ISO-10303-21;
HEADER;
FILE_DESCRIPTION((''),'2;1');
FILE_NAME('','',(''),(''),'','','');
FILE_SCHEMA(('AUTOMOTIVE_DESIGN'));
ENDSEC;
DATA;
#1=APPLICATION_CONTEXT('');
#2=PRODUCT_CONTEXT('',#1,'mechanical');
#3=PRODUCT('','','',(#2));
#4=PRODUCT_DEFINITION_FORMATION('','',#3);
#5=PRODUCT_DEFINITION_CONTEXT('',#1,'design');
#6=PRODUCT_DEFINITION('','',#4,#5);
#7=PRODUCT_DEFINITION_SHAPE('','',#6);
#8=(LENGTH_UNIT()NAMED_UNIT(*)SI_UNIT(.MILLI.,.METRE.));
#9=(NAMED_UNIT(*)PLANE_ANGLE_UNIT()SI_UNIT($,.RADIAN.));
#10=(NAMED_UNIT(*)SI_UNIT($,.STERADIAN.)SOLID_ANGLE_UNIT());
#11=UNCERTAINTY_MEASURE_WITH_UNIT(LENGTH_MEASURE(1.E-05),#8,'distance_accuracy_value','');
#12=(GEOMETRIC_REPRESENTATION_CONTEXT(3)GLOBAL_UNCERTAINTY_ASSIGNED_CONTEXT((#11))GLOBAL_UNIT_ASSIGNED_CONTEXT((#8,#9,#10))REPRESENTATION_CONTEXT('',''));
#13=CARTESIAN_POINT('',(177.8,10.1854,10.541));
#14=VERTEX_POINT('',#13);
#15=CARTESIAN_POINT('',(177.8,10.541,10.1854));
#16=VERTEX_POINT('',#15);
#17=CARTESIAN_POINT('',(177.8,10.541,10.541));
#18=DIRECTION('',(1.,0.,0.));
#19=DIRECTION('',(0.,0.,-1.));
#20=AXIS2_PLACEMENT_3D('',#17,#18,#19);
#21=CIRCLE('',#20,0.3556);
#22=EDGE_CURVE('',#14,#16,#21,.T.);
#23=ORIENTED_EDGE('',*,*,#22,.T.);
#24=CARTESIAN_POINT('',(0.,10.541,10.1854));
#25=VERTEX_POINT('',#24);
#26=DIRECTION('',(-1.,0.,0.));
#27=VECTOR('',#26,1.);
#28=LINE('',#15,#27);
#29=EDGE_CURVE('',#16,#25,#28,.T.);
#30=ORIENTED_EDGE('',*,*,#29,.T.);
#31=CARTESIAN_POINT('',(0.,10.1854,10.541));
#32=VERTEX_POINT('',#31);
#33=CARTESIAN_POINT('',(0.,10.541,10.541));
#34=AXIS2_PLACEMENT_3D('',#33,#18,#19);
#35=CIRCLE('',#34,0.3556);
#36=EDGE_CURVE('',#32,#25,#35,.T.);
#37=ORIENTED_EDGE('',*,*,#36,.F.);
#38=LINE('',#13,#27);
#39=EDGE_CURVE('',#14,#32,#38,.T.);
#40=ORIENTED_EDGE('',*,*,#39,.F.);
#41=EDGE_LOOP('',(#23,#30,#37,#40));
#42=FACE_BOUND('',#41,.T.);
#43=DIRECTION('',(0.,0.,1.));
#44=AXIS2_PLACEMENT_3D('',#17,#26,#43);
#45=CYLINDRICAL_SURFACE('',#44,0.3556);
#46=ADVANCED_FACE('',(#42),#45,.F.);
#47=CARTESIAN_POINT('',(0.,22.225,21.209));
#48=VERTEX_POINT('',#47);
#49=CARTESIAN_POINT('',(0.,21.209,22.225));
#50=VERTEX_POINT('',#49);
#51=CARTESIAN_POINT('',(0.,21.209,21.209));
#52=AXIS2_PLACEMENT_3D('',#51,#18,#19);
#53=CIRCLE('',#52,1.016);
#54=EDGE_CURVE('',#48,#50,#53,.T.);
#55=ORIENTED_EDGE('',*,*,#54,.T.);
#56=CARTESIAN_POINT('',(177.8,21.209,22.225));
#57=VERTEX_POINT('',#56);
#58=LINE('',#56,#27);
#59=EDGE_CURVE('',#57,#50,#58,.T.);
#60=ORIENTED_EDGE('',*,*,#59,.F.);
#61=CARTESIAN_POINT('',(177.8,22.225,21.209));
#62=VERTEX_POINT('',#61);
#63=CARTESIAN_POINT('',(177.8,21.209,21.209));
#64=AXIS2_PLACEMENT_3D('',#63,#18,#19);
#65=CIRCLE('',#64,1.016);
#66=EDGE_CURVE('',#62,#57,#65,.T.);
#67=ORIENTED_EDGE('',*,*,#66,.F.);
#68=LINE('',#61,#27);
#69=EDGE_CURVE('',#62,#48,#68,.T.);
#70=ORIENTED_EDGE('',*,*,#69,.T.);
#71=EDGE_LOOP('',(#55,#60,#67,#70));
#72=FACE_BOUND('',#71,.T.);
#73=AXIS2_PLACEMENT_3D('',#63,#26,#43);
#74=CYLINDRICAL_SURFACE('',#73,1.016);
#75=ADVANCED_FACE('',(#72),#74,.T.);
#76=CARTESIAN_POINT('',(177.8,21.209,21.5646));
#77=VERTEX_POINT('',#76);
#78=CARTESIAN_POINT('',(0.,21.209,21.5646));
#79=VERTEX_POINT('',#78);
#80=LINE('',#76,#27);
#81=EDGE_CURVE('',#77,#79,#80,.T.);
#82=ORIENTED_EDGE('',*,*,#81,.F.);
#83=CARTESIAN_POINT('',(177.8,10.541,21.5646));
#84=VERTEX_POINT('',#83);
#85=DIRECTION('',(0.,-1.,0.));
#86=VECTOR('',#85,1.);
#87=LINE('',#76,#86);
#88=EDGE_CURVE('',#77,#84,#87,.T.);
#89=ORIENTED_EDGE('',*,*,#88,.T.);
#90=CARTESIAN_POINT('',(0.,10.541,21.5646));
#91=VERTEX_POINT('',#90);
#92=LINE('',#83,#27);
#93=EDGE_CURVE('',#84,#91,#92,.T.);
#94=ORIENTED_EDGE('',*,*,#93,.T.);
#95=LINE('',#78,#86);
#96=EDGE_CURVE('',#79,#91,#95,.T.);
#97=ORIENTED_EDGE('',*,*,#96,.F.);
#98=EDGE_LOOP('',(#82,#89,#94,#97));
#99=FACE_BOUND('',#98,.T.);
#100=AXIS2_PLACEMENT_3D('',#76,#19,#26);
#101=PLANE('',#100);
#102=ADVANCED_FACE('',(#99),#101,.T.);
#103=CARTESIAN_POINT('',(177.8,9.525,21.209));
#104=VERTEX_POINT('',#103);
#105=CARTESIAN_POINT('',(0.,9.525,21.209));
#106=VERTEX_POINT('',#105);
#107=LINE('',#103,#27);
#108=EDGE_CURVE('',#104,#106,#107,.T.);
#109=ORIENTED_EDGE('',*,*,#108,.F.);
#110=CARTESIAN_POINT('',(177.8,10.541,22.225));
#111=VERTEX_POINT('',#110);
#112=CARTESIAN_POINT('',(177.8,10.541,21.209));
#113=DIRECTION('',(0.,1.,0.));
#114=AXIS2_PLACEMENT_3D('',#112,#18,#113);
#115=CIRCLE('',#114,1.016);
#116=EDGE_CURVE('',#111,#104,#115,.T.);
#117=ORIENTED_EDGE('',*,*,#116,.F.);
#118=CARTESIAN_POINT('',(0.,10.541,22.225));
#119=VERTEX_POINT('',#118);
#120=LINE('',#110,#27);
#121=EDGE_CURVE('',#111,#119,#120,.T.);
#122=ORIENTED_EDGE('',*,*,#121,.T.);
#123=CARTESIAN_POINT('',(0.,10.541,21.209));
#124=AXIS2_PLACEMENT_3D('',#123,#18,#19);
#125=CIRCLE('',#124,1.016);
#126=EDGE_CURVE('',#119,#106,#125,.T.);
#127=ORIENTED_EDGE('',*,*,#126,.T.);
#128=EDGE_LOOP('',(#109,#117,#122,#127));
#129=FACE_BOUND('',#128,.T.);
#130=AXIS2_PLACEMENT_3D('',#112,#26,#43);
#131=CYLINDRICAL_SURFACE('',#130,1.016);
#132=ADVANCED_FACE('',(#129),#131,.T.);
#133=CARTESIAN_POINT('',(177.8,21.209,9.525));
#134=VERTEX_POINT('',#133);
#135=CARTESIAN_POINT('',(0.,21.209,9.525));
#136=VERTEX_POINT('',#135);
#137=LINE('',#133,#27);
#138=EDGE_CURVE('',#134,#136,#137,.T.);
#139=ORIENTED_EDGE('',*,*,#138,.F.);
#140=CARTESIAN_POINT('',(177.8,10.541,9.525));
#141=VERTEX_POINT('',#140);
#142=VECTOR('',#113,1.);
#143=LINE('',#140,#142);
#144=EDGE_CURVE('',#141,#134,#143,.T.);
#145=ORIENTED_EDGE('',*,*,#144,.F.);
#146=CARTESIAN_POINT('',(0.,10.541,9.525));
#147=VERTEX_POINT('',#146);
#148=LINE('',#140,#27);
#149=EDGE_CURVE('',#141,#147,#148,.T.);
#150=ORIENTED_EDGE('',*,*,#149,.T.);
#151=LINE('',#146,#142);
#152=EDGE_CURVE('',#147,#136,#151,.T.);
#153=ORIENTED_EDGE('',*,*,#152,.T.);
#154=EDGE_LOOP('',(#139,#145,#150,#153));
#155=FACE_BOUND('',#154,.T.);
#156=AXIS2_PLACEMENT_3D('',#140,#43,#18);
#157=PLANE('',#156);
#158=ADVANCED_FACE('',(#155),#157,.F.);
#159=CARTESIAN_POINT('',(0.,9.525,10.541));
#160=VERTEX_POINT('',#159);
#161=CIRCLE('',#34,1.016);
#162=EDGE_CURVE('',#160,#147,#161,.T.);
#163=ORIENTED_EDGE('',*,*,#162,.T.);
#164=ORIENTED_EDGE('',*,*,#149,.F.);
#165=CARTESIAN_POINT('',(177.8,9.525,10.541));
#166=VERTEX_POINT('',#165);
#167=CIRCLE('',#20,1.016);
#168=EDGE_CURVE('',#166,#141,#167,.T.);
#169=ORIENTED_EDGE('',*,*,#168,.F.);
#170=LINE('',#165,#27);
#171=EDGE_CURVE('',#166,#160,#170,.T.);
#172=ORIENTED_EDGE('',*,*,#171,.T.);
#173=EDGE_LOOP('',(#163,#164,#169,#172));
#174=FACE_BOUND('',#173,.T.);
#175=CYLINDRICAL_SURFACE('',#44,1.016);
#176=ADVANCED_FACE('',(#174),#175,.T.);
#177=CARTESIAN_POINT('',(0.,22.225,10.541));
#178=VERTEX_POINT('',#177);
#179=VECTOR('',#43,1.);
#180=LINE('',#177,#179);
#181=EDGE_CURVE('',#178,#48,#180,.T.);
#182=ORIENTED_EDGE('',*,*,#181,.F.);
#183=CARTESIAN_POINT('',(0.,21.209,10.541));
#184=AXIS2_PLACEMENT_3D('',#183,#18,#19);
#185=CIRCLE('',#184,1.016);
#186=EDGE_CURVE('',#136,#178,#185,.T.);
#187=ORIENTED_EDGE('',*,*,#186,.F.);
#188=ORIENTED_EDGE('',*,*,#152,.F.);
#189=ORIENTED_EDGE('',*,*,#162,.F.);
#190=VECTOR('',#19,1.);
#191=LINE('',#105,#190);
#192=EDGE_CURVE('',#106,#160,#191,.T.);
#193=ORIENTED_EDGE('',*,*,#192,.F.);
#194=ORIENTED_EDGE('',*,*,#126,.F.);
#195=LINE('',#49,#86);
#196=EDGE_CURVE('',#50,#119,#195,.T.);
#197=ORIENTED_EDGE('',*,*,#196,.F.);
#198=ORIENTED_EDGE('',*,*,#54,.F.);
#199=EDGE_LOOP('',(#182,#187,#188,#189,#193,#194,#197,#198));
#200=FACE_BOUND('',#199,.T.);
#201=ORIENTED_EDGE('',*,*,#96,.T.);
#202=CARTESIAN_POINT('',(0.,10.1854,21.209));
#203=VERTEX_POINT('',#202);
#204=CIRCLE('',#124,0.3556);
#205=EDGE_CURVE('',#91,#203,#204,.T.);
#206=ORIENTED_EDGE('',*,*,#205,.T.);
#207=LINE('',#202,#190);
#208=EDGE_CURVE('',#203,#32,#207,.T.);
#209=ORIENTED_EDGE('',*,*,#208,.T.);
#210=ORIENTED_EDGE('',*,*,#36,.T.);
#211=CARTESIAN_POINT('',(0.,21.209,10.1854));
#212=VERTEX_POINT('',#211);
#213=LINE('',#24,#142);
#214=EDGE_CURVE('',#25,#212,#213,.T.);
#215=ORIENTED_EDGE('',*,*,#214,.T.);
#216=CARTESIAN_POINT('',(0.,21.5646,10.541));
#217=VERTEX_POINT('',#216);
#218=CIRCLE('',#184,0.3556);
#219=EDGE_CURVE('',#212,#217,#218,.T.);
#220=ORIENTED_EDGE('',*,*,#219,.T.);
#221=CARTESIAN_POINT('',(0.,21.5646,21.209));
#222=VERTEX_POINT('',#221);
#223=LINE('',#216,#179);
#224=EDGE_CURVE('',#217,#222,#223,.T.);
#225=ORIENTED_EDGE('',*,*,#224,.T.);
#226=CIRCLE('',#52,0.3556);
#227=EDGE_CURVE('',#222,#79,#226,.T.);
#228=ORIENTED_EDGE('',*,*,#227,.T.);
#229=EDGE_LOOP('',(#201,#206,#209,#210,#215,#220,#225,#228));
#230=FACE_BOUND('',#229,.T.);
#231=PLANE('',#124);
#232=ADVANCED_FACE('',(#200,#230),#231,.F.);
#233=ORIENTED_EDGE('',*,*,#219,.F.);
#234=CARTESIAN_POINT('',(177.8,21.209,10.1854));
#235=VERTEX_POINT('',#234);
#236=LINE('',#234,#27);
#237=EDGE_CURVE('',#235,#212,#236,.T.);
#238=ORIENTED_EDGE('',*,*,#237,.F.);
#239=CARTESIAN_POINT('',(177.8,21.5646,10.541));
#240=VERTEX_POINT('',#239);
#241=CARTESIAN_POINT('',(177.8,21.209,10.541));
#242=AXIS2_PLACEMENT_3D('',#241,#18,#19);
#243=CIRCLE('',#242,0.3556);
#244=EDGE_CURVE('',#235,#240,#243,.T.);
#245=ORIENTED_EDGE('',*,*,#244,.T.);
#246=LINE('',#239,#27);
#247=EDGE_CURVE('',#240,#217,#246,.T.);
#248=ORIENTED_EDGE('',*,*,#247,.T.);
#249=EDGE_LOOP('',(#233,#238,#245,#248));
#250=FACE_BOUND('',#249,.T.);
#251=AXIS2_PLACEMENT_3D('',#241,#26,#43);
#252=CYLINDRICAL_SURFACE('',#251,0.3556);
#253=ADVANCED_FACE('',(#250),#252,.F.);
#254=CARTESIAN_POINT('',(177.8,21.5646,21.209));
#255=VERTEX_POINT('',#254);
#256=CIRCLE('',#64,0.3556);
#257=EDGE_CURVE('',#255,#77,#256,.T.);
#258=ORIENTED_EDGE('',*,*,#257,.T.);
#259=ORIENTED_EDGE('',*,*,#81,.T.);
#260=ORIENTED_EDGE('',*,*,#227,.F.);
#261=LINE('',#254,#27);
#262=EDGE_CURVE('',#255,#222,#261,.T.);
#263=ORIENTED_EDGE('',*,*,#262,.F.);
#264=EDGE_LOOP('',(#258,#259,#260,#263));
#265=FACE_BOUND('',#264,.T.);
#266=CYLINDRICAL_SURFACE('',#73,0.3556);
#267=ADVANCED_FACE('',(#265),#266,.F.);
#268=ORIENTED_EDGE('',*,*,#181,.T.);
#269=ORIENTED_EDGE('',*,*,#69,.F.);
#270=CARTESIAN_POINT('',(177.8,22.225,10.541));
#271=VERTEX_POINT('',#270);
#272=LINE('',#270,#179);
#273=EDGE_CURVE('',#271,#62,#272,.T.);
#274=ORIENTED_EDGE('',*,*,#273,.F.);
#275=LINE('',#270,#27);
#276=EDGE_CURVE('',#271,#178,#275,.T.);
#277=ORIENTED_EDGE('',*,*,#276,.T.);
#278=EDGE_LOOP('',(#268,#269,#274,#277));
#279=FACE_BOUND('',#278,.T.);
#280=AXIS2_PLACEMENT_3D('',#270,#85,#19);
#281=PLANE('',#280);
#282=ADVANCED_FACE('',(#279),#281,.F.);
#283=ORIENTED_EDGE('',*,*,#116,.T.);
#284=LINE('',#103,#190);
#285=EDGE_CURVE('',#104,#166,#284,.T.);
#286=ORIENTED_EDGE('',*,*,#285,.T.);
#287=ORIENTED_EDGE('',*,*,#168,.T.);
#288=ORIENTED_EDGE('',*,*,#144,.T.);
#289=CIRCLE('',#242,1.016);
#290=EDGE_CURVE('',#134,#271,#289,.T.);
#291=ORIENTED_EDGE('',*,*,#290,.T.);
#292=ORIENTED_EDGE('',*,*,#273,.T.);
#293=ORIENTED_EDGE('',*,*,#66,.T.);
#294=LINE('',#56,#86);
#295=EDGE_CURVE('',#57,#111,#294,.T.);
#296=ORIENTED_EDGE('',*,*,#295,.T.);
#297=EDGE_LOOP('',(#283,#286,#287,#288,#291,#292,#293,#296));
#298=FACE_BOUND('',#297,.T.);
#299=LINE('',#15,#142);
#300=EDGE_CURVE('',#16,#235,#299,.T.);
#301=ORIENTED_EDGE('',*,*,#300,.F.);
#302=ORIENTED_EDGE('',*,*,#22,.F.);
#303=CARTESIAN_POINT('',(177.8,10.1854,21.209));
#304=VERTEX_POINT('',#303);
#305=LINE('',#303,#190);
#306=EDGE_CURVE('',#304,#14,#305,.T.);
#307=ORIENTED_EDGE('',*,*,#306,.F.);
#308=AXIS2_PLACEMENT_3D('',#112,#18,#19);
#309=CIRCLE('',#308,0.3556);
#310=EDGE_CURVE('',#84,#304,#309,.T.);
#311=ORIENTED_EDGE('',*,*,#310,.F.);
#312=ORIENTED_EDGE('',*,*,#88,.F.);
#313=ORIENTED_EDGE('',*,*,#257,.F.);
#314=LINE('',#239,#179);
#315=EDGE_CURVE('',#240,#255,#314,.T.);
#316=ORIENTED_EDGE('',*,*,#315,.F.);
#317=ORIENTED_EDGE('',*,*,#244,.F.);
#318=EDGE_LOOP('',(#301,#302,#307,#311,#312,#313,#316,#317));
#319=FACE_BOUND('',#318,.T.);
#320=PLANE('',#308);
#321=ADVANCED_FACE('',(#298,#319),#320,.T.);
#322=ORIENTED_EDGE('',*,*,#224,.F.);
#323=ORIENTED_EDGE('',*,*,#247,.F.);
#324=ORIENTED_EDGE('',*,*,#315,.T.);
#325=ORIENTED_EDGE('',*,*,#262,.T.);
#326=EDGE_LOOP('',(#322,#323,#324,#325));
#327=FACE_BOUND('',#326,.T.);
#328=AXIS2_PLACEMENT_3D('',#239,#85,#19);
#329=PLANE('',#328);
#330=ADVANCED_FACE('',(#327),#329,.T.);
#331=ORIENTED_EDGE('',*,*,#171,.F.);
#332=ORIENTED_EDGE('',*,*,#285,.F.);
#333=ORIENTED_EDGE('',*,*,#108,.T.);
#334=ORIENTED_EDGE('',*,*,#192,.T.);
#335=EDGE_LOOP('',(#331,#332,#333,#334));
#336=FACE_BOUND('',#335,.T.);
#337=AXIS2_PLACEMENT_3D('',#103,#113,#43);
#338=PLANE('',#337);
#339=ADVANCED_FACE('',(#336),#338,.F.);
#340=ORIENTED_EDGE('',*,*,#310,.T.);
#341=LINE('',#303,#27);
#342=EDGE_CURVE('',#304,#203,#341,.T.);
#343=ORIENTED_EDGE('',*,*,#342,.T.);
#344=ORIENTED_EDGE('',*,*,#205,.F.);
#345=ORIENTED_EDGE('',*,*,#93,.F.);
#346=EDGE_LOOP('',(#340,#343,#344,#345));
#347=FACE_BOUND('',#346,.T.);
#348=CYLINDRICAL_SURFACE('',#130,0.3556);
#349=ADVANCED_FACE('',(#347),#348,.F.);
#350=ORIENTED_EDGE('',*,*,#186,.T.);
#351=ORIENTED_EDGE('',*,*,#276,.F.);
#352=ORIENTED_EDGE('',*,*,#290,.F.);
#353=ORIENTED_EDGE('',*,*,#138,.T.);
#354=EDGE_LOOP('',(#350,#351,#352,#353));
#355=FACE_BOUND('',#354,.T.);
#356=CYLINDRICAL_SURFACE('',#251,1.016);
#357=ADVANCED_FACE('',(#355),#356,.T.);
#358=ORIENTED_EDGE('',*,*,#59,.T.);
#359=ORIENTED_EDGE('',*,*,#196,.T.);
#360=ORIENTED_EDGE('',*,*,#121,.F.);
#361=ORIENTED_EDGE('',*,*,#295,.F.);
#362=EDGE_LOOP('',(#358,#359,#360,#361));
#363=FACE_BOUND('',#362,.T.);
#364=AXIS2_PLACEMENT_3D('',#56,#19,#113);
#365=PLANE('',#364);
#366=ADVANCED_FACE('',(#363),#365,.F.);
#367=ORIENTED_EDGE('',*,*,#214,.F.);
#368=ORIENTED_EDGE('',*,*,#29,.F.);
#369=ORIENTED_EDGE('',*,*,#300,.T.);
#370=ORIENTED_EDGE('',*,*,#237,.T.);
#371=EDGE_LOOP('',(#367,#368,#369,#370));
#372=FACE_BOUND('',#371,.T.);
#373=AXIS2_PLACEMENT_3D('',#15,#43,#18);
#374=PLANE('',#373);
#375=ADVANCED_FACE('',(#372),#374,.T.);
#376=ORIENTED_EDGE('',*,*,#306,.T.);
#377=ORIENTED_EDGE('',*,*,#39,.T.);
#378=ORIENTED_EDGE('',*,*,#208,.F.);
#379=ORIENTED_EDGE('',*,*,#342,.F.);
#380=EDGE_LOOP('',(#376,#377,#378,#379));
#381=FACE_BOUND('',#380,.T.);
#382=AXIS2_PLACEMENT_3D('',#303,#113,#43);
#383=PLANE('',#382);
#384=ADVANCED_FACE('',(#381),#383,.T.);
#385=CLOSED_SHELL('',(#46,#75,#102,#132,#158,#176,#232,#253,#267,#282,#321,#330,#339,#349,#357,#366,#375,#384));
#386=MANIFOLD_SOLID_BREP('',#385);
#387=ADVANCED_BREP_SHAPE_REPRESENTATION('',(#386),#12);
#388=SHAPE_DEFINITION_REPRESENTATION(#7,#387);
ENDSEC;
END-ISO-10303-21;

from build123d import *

# Parameters (mm, degrees)
BOSS_EXTRUDE1_DEPTH = 177.8
SCALE1_SCALE_X      = 1
SCALE1_SCALE_Y      = 0.4
SCALE1_SCALE_Z      = 0.4


with BuildPart() as part:
    # Sketch1 → Boss-Extrude1 (new body)
    with BuildSketch(Plane(origin=(0, 0, 0), x_dir=(0, 0, -1), z_dir=(1, 0, 0))):
        with BuildLine():
            Line((0, 2.54), (0, 29.21))
            ThreePointArc((0, 29.21), (-0.743948776, 31.006051224), (-2.54, 31.75))
            Line((-2.54, 31.75), (-29.21, 31.75))
            ThreePointArc((-29.21, 31.75), (-31.006051224, 31.006051224), (-31.75, 29.21))
            Line((-31.75, 29.21), (-31.75, 2.54))
            ThreePointArc((-31.75, 2.54), (-31.006051224, 0.743948776), (-29.21, 0))
            Line((-29.21, 0), (-2.54, 0))
            ThreePointArc((-2.54, 0), (-0.743948776, 0.743948776), (0, 2.54))
        make_face()
        with BuildLine():
            Line((-1.651, 2.54), (-1.651, 29.21))
            ThreePointArc((-1.651, 29.21), (-1.911382072, 29.838617928), (-2.54, 30.099))
            Line((-2.54, 30.099), (-29.21, 30.099))
            ThreePointArc((-29.21, 30.099), (-29.838617928, 29.838617928), (-30.099, 29.21))
            Line((-30.099, 29.21), (-30.099, 2.54))
            ThreePointArc((-30.099, 2.54), (-29.838617928, 1.911382072), (-29.21, 1.651))
            Line((-29.21, 1.651), (-2.54, 1.651))
            ThreePointArc((-2.54, 1.651), (-1.911382072, 1.911382072), (-1.651, 2.54))
        make_face(mode=Mode.SUBTRACT)
    extrude(amount=BOSS_EXTRUDE1_DEPTH)


with BuildPart() as part_1:
    # Scale1: scaled about (88.9, 15.875, 15.875)
    add(part.part.scale((SCALE1_SCALE_X, SCALE1_SCALE_Y, SCALE1_SCALE_Z), about=(88.9, 15.875, 15.875)))


solid = part_1.part
